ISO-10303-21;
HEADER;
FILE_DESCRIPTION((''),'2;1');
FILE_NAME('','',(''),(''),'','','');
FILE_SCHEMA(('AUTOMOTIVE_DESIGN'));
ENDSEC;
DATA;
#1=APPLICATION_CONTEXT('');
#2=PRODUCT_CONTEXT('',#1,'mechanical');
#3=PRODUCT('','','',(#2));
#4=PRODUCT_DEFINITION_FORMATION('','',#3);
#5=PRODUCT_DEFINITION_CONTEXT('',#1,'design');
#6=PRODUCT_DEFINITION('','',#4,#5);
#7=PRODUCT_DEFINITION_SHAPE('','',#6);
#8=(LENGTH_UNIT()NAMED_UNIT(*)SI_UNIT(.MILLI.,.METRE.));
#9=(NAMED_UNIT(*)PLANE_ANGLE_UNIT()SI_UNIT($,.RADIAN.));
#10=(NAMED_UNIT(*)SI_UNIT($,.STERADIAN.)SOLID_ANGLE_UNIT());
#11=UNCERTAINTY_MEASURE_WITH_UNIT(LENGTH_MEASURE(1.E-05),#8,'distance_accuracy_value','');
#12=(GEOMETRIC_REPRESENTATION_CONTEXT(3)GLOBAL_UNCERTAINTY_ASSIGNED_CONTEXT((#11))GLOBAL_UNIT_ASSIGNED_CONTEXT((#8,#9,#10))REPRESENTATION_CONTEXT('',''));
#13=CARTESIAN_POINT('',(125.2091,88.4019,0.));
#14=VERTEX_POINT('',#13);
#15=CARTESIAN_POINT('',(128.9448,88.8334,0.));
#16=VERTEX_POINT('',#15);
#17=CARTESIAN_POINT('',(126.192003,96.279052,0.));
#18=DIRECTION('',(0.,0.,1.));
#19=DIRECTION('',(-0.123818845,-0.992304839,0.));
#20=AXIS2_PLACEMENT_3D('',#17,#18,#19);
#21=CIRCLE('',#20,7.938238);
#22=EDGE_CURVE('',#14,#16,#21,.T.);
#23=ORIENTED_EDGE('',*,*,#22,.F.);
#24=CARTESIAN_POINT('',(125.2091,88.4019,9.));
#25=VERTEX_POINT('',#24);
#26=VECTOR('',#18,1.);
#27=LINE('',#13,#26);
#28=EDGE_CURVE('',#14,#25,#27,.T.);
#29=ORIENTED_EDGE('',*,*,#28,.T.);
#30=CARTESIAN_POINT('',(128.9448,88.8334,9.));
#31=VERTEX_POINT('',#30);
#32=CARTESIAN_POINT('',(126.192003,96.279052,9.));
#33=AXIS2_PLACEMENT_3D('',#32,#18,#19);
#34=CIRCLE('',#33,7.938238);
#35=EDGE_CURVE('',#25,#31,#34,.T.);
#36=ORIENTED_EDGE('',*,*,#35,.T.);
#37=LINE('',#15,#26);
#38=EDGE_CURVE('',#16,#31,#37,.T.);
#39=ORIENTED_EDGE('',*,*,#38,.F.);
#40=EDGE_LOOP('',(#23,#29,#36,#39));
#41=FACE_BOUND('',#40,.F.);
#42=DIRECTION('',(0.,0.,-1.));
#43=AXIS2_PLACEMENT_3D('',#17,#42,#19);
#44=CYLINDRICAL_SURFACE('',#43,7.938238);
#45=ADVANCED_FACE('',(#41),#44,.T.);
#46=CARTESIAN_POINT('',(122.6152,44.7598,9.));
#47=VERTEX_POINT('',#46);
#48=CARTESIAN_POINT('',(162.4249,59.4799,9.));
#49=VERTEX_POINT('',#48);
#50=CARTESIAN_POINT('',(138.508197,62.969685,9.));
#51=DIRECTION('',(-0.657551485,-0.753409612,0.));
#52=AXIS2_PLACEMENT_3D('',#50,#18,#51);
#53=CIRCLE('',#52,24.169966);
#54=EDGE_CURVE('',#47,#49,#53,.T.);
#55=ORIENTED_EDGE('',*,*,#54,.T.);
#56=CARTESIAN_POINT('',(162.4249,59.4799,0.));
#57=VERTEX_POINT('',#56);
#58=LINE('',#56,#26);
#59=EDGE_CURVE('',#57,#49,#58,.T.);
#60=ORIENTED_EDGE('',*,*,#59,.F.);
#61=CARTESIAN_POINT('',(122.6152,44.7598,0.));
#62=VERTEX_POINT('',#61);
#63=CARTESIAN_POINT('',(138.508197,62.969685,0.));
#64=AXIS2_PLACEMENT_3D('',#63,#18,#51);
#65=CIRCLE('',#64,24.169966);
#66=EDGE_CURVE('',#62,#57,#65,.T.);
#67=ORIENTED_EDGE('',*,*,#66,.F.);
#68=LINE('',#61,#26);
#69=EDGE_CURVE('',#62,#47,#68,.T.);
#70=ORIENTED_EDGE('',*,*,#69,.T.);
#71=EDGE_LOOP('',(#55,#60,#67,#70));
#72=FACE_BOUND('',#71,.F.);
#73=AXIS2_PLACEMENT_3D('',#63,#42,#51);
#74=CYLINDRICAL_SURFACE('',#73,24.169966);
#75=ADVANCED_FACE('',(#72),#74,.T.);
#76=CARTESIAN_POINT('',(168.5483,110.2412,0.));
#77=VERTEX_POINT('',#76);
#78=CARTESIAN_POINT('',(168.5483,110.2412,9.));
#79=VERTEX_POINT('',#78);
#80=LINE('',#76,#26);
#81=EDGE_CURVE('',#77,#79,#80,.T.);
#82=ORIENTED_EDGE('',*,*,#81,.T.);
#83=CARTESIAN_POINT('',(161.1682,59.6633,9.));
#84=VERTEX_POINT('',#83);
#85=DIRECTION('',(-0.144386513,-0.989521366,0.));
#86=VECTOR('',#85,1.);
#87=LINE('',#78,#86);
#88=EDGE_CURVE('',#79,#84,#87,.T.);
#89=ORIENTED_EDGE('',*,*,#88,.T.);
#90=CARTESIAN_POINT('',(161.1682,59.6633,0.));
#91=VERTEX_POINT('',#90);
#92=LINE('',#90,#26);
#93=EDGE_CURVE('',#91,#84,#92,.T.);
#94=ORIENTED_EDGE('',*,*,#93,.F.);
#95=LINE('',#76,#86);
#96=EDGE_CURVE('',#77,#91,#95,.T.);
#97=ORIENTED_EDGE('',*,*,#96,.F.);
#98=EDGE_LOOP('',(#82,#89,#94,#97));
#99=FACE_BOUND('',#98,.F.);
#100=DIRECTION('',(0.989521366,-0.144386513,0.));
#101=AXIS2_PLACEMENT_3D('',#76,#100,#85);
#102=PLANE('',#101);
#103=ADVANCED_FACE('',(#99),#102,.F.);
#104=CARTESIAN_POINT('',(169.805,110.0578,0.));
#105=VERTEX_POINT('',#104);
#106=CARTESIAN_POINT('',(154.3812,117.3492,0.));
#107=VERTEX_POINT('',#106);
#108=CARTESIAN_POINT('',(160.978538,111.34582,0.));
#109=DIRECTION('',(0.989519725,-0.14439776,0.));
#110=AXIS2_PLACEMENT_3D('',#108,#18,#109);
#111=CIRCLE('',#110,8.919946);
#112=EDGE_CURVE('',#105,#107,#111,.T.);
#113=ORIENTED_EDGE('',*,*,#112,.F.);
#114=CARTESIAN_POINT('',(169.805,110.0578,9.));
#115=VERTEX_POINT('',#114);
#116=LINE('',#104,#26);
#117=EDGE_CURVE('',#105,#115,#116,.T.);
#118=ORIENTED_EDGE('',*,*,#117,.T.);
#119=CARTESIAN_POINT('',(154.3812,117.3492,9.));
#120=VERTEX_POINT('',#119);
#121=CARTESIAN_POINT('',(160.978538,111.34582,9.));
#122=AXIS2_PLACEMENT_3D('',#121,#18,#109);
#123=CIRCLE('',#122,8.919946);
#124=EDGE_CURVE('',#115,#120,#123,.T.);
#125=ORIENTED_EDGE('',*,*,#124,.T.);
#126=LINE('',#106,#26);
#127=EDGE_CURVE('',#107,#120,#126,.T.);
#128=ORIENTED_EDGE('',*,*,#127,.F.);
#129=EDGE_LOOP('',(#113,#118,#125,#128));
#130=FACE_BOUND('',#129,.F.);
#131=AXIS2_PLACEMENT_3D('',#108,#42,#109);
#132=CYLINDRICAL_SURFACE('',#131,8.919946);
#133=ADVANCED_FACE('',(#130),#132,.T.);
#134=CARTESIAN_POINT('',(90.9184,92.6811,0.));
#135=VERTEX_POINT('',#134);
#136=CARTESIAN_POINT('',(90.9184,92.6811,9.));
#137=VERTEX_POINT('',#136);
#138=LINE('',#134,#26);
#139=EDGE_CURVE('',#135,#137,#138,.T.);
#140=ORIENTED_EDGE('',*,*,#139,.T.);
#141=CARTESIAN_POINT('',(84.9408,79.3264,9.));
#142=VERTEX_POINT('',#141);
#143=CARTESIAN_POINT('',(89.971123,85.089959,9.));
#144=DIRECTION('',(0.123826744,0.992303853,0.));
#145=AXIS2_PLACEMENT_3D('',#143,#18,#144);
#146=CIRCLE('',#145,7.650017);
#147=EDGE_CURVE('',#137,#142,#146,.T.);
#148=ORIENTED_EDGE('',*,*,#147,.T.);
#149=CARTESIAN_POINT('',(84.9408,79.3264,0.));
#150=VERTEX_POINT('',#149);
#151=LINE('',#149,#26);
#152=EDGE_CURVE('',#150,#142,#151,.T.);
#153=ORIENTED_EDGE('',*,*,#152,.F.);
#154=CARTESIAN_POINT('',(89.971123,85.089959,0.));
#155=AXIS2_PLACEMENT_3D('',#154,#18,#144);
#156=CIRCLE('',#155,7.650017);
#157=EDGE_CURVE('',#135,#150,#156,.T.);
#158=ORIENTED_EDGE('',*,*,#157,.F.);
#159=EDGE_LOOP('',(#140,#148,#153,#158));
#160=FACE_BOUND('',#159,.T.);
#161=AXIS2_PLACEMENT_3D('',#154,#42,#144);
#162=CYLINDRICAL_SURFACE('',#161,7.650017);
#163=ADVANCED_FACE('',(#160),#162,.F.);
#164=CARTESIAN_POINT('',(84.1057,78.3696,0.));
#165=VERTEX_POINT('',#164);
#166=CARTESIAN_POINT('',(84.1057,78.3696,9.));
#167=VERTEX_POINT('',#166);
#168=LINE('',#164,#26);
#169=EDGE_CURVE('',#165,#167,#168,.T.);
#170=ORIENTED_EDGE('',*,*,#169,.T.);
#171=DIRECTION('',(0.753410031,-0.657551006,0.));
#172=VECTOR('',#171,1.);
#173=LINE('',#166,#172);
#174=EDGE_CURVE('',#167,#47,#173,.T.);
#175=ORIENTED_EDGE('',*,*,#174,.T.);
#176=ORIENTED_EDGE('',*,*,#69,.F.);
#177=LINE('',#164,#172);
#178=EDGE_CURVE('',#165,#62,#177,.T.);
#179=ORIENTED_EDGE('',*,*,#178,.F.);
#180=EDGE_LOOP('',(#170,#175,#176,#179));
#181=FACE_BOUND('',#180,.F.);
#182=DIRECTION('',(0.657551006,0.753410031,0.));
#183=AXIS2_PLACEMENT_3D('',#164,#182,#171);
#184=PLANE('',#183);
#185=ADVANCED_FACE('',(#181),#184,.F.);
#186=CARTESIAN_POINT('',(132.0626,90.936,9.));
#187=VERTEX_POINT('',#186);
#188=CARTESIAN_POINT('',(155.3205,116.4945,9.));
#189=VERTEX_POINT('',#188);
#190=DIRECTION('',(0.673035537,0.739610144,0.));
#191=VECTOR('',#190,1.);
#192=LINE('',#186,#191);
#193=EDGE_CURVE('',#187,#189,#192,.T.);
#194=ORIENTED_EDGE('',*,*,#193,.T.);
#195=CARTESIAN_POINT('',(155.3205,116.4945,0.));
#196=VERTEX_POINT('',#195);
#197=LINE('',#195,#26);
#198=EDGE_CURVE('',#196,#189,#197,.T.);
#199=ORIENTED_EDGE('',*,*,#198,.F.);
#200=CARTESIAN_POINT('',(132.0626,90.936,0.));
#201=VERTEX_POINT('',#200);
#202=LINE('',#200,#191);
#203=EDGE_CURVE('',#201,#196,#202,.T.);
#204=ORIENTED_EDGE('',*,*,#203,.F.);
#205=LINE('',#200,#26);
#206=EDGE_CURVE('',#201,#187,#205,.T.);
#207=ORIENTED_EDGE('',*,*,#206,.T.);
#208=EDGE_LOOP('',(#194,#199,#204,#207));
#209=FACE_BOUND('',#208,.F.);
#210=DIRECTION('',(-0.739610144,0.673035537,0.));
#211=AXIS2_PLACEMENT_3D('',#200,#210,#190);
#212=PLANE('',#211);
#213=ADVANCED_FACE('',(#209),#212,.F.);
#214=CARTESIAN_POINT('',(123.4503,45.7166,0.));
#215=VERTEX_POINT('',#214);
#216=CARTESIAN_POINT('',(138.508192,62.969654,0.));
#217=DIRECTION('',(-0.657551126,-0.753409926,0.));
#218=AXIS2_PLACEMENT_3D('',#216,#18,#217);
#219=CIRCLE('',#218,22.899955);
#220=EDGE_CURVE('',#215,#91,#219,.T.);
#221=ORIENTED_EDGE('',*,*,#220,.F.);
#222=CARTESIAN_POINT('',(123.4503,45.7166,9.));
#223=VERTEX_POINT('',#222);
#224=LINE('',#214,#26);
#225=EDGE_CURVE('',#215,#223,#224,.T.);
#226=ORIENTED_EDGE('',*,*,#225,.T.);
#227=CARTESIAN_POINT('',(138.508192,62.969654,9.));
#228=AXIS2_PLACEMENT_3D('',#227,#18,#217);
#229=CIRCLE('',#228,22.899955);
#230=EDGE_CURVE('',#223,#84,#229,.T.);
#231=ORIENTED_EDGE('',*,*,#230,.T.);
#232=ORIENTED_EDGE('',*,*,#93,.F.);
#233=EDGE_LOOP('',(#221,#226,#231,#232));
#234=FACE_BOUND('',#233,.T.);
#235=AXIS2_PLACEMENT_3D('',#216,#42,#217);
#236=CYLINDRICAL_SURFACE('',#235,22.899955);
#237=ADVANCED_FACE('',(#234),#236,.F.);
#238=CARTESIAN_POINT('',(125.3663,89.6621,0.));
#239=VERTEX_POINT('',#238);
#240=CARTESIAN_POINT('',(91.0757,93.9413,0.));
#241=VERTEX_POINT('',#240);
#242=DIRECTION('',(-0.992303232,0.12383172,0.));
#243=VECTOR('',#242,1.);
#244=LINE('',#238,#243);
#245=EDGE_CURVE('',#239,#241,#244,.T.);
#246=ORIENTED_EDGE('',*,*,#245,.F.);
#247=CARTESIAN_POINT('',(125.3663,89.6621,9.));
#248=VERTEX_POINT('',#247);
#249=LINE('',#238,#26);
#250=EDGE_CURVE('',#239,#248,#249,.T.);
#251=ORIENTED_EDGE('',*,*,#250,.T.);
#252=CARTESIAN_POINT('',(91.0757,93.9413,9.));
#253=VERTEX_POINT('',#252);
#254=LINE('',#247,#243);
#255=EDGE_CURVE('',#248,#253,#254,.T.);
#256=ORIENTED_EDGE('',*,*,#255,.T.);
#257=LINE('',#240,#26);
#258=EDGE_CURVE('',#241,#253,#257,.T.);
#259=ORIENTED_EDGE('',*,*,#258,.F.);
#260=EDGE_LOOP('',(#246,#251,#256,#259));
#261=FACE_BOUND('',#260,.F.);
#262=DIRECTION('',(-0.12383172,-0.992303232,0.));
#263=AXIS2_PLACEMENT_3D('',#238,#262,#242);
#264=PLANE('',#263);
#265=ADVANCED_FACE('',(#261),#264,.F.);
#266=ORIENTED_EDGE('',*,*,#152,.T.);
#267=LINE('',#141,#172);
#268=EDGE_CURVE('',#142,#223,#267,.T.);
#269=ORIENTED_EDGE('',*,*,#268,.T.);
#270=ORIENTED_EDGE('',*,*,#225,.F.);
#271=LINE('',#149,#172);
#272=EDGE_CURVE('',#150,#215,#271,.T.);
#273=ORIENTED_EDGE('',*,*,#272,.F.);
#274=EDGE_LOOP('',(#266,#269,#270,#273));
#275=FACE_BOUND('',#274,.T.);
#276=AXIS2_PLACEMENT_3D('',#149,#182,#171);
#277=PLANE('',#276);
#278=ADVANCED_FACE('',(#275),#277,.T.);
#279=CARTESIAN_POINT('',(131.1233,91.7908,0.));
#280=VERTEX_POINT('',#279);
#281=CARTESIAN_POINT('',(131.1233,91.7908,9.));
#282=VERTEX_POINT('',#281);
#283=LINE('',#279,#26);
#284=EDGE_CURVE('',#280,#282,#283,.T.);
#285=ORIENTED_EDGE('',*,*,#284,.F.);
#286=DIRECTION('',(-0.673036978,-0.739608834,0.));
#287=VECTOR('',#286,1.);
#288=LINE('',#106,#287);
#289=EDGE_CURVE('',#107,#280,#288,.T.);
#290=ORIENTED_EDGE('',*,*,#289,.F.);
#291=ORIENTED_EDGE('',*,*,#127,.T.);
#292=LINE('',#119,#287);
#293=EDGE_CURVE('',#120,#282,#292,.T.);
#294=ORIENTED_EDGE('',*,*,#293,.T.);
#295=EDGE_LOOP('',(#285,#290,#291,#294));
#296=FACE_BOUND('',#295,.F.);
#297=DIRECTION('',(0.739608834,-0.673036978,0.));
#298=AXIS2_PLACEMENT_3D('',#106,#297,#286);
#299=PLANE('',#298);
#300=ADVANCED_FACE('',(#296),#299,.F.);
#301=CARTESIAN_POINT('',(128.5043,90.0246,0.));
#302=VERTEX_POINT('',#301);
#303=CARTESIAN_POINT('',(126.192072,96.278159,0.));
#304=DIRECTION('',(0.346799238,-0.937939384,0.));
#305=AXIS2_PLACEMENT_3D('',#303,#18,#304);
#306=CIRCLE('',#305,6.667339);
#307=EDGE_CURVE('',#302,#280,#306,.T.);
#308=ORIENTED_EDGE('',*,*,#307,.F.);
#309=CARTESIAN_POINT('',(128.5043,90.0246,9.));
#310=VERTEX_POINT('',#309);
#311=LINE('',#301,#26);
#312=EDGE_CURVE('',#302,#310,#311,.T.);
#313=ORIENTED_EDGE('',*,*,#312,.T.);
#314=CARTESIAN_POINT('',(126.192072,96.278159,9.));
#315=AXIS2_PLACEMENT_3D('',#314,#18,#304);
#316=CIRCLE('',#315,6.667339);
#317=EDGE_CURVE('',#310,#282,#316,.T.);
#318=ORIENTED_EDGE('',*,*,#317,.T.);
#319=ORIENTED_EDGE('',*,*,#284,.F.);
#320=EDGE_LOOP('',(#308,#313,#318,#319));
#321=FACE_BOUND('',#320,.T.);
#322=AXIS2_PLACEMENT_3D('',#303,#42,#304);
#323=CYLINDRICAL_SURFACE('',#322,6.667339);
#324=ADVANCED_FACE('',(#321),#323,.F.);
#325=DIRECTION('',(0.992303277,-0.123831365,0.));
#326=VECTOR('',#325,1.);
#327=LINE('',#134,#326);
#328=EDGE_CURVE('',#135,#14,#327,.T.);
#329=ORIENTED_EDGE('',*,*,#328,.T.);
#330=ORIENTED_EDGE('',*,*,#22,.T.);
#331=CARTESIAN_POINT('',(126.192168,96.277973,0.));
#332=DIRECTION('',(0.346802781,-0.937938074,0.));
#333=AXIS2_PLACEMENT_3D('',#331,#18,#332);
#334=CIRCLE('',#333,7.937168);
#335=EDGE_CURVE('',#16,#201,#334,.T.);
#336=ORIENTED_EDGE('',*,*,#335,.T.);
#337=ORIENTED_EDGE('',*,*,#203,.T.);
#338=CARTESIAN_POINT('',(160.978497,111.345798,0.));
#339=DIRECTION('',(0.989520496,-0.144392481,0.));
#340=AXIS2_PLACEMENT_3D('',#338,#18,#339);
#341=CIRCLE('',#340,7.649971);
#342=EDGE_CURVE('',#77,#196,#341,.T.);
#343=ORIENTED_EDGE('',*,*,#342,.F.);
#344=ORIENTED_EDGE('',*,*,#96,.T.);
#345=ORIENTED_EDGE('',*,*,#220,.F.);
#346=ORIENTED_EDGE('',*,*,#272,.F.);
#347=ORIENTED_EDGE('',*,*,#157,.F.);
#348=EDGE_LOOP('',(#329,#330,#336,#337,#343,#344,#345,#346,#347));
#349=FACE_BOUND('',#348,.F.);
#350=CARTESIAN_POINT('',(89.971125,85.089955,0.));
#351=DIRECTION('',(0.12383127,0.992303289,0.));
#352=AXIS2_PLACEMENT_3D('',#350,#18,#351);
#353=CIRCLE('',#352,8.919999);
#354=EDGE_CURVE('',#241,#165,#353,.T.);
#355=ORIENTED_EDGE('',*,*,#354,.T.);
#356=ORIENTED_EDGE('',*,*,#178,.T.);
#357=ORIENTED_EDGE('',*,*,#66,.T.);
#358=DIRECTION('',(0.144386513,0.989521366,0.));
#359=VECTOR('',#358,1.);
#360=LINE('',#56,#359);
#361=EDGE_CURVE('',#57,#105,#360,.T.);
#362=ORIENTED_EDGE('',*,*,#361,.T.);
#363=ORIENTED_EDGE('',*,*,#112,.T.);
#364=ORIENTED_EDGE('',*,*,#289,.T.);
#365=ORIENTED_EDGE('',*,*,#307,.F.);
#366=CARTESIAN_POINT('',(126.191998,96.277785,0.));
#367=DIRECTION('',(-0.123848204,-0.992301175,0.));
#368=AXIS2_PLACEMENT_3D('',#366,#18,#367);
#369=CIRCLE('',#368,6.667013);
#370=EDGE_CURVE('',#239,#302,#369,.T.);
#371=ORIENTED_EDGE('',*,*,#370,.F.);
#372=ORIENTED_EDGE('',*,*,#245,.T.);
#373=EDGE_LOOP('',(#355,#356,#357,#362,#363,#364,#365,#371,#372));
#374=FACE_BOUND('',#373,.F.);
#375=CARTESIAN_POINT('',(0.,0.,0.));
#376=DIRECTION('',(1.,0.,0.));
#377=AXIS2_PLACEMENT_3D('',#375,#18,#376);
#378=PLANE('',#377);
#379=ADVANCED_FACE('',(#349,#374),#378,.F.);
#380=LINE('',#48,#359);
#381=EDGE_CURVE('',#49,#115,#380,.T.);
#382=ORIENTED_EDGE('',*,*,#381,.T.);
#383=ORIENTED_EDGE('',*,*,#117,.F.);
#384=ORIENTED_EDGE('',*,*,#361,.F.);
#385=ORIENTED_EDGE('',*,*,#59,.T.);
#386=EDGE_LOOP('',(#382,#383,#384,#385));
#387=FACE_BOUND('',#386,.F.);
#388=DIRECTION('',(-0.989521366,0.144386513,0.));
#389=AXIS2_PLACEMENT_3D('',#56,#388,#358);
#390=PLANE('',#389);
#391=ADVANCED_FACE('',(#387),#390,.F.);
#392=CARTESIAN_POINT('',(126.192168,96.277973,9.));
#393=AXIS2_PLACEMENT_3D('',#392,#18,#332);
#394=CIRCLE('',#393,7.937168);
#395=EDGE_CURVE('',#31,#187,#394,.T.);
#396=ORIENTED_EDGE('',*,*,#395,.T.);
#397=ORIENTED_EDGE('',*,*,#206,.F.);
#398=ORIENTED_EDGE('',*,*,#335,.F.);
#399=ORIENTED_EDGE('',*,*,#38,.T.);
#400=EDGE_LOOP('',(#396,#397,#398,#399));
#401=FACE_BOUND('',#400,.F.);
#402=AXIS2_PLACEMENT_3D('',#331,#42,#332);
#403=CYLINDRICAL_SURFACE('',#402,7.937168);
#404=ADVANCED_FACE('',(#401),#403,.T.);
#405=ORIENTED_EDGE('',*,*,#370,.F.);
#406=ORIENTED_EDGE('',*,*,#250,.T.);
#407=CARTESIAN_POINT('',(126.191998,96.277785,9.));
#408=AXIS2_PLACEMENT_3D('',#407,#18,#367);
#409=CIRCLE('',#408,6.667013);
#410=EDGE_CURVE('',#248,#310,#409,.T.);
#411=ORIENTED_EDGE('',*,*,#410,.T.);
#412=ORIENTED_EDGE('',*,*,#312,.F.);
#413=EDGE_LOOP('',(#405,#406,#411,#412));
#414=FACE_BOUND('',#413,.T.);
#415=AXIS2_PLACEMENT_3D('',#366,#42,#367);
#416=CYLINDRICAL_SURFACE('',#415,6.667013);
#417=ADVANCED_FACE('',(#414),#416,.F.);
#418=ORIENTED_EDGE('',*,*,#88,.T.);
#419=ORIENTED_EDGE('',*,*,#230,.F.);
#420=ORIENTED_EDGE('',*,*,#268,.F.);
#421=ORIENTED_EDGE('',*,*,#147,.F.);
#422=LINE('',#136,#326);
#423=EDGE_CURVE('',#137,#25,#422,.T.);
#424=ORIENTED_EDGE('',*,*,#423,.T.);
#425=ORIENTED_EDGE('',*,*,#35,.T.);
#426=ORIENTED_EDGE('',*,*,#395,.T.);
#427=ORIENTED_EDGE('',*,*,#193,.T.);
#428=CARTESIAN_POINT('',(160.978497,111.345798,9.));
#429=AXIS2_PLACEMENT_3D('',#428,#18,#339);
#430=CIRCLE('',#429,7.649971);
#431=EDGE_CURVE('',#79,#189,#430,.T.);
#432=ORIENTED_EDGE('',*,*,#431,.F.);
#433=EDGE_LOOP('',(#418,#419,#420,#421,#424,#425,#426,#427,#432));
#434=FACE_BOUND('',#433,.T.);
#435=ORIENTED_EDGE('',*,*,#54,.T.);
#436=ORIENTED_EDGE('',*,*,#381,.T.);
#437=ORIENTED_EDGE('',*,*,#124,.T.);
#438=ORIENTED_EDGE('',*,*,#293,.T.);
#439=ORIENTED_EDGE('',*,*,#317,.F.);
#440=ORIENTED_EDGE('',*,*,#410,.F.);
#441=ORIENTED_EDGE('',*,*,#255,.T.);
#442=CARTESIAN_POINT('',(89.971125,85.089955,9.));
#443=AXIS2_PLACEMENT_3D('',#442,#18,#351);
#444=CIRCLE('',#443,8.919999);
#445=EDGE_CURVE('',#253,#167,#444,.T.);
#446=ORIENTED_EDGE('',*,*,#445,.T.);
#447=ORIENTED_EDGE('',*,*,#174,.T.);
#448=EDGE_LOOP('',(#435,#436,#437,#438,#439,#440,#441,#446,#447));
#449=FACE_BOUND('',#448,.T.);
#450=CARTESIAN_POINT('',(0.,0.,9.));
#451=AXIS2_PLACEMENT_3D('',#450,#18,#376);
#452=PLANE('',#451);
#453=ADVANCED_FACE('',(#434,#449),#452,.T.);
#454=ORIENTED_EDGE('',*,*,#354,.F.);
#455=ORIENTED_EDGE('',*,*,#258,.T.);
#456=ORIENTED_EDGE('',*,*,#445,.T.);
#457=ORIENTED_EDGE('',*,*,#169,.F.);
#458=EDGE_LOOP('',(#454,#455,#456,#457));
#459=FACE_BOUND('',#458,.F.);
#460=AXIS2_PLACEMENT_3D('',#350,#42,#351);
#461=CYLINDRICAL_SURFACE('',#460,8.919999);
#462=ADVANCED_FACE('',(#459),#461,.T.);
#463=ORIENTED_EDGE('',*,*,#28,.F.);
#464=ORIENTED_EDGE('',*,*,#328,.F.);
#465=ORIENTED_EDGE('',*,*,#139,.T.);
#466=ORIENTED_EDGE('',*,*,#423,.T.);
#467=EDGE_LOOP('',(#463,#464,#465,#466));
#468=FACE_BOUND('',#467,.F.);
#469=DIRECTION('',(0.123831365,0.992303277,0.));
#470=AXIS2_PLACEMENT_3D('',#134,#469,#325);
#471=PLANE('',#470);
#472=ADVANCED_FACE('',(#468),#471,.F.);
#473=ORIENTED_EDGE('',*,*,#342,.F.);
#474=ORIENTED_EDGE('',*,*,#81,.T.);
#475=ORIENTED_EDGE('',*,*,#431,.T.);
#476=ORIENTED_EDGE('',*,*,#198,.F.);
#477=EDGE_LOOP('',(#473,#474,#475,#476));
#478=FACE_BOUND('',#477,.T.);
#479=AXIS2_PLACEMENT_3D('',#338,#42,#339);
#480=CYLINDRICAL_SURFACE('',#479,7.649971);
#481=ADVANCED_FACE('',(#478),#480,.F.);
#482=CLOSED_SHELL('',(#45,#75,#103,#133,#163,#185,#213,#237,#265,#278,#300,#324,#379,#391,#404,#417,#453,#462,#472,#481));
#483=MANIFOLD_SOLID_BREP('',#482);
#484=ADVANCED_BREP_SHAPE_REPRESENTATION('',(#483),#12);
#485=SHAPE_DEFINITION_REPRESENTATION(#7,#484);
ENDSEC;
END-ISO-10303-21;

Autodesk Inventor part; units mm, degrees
ref_plane "YZ Plane" through (0, 0, 0) normal (1, 0, 0) x (0, 1, 0)
ref_plane "XZ Plane" through (0, 0, 0) normal (0, 1, 0) x (-1, 0, 0)
ref_plane "XY Plane" through (0, 0, 0) normal (0, 0, 1) x (1, 0, 0)
sketch "Sketch1" plane through (0, 0, 0) normal (0, 0, 1) x (1, 0, 0)
  line L0 (84.9408, 79.3264) -> (123.4503, 45.7166)
  line L1 (168.5483, 110.2412) -> (161.1682, 59.6633)
  line L2 (90.9184, 92.6811) -> (125.2091, 88.4019)
  line L3 (132.0626, 90.936) -> (155.3205, 116.4945)
  arc A0 (90.9184, 92.6811) -> (84.9408, 79.3264) centre (89.9711, 85.09) ccw
  arc A1 (128.9448, 88.8334) -> (132.0626, 90.936) centre (126.192, 96.2783) ccw
  arc A2 (125.2091, 88.4019) -> (128.9448, 88.8334) centre (126.192, 96.2783) ccw
  arc A3 (123.4503, 45.7166) -> (161.1682, 59.6633) centre (138.5082, 62.9697) ccw
  arc A4 (168.5483, 110.2412) -> (155.3205, 116.4945) centre (160.9785, 111.3458) ccw
  line L4 (84.1057, 78.3696) -> (122.6152, 44.7598)
  arc A5 (122.6152, 44.7598) -> (162.4249, 59.4799) centre (138.5082, 62.9697) ccw
  line L5 (162.4249, 59.4799) -> (169.805, 110.0578)
  arc A6 (169.805, 110.0578) -> (154.3812, 117.3492) centre (160.9785, 111.3458) ccw
  line L6 (154.3812, 117.3492) -> (131.1233, 91.7908)
  arc A7 (128.5043, 90.0246) -> (131.1233, 91.7908) centre (126.192, 96.2783) ccw
  arc A8 (125.3663, 89.6621) -> (128.5043, 90.0246) centre (126.192, 96.2783) ccw
  line L7 (125.3663, 89.6621) -> (91.0757, 93.9413)
  arc A9 (91.0757, 93.9413) -> (84.1057, 78.3696) centre (89.9711, 85.09) ccw
  point P0 (0, 0)
  dimension "d1" = 1.27
extrude "Extrusion1" add sketch "Sketch1" along normal blind 9
ref_plane "Work Plane1" through (0, 0, 4.5) normal (0, 0, 1) x (1, 0, 0)
properties part number "290 mm Belt"
